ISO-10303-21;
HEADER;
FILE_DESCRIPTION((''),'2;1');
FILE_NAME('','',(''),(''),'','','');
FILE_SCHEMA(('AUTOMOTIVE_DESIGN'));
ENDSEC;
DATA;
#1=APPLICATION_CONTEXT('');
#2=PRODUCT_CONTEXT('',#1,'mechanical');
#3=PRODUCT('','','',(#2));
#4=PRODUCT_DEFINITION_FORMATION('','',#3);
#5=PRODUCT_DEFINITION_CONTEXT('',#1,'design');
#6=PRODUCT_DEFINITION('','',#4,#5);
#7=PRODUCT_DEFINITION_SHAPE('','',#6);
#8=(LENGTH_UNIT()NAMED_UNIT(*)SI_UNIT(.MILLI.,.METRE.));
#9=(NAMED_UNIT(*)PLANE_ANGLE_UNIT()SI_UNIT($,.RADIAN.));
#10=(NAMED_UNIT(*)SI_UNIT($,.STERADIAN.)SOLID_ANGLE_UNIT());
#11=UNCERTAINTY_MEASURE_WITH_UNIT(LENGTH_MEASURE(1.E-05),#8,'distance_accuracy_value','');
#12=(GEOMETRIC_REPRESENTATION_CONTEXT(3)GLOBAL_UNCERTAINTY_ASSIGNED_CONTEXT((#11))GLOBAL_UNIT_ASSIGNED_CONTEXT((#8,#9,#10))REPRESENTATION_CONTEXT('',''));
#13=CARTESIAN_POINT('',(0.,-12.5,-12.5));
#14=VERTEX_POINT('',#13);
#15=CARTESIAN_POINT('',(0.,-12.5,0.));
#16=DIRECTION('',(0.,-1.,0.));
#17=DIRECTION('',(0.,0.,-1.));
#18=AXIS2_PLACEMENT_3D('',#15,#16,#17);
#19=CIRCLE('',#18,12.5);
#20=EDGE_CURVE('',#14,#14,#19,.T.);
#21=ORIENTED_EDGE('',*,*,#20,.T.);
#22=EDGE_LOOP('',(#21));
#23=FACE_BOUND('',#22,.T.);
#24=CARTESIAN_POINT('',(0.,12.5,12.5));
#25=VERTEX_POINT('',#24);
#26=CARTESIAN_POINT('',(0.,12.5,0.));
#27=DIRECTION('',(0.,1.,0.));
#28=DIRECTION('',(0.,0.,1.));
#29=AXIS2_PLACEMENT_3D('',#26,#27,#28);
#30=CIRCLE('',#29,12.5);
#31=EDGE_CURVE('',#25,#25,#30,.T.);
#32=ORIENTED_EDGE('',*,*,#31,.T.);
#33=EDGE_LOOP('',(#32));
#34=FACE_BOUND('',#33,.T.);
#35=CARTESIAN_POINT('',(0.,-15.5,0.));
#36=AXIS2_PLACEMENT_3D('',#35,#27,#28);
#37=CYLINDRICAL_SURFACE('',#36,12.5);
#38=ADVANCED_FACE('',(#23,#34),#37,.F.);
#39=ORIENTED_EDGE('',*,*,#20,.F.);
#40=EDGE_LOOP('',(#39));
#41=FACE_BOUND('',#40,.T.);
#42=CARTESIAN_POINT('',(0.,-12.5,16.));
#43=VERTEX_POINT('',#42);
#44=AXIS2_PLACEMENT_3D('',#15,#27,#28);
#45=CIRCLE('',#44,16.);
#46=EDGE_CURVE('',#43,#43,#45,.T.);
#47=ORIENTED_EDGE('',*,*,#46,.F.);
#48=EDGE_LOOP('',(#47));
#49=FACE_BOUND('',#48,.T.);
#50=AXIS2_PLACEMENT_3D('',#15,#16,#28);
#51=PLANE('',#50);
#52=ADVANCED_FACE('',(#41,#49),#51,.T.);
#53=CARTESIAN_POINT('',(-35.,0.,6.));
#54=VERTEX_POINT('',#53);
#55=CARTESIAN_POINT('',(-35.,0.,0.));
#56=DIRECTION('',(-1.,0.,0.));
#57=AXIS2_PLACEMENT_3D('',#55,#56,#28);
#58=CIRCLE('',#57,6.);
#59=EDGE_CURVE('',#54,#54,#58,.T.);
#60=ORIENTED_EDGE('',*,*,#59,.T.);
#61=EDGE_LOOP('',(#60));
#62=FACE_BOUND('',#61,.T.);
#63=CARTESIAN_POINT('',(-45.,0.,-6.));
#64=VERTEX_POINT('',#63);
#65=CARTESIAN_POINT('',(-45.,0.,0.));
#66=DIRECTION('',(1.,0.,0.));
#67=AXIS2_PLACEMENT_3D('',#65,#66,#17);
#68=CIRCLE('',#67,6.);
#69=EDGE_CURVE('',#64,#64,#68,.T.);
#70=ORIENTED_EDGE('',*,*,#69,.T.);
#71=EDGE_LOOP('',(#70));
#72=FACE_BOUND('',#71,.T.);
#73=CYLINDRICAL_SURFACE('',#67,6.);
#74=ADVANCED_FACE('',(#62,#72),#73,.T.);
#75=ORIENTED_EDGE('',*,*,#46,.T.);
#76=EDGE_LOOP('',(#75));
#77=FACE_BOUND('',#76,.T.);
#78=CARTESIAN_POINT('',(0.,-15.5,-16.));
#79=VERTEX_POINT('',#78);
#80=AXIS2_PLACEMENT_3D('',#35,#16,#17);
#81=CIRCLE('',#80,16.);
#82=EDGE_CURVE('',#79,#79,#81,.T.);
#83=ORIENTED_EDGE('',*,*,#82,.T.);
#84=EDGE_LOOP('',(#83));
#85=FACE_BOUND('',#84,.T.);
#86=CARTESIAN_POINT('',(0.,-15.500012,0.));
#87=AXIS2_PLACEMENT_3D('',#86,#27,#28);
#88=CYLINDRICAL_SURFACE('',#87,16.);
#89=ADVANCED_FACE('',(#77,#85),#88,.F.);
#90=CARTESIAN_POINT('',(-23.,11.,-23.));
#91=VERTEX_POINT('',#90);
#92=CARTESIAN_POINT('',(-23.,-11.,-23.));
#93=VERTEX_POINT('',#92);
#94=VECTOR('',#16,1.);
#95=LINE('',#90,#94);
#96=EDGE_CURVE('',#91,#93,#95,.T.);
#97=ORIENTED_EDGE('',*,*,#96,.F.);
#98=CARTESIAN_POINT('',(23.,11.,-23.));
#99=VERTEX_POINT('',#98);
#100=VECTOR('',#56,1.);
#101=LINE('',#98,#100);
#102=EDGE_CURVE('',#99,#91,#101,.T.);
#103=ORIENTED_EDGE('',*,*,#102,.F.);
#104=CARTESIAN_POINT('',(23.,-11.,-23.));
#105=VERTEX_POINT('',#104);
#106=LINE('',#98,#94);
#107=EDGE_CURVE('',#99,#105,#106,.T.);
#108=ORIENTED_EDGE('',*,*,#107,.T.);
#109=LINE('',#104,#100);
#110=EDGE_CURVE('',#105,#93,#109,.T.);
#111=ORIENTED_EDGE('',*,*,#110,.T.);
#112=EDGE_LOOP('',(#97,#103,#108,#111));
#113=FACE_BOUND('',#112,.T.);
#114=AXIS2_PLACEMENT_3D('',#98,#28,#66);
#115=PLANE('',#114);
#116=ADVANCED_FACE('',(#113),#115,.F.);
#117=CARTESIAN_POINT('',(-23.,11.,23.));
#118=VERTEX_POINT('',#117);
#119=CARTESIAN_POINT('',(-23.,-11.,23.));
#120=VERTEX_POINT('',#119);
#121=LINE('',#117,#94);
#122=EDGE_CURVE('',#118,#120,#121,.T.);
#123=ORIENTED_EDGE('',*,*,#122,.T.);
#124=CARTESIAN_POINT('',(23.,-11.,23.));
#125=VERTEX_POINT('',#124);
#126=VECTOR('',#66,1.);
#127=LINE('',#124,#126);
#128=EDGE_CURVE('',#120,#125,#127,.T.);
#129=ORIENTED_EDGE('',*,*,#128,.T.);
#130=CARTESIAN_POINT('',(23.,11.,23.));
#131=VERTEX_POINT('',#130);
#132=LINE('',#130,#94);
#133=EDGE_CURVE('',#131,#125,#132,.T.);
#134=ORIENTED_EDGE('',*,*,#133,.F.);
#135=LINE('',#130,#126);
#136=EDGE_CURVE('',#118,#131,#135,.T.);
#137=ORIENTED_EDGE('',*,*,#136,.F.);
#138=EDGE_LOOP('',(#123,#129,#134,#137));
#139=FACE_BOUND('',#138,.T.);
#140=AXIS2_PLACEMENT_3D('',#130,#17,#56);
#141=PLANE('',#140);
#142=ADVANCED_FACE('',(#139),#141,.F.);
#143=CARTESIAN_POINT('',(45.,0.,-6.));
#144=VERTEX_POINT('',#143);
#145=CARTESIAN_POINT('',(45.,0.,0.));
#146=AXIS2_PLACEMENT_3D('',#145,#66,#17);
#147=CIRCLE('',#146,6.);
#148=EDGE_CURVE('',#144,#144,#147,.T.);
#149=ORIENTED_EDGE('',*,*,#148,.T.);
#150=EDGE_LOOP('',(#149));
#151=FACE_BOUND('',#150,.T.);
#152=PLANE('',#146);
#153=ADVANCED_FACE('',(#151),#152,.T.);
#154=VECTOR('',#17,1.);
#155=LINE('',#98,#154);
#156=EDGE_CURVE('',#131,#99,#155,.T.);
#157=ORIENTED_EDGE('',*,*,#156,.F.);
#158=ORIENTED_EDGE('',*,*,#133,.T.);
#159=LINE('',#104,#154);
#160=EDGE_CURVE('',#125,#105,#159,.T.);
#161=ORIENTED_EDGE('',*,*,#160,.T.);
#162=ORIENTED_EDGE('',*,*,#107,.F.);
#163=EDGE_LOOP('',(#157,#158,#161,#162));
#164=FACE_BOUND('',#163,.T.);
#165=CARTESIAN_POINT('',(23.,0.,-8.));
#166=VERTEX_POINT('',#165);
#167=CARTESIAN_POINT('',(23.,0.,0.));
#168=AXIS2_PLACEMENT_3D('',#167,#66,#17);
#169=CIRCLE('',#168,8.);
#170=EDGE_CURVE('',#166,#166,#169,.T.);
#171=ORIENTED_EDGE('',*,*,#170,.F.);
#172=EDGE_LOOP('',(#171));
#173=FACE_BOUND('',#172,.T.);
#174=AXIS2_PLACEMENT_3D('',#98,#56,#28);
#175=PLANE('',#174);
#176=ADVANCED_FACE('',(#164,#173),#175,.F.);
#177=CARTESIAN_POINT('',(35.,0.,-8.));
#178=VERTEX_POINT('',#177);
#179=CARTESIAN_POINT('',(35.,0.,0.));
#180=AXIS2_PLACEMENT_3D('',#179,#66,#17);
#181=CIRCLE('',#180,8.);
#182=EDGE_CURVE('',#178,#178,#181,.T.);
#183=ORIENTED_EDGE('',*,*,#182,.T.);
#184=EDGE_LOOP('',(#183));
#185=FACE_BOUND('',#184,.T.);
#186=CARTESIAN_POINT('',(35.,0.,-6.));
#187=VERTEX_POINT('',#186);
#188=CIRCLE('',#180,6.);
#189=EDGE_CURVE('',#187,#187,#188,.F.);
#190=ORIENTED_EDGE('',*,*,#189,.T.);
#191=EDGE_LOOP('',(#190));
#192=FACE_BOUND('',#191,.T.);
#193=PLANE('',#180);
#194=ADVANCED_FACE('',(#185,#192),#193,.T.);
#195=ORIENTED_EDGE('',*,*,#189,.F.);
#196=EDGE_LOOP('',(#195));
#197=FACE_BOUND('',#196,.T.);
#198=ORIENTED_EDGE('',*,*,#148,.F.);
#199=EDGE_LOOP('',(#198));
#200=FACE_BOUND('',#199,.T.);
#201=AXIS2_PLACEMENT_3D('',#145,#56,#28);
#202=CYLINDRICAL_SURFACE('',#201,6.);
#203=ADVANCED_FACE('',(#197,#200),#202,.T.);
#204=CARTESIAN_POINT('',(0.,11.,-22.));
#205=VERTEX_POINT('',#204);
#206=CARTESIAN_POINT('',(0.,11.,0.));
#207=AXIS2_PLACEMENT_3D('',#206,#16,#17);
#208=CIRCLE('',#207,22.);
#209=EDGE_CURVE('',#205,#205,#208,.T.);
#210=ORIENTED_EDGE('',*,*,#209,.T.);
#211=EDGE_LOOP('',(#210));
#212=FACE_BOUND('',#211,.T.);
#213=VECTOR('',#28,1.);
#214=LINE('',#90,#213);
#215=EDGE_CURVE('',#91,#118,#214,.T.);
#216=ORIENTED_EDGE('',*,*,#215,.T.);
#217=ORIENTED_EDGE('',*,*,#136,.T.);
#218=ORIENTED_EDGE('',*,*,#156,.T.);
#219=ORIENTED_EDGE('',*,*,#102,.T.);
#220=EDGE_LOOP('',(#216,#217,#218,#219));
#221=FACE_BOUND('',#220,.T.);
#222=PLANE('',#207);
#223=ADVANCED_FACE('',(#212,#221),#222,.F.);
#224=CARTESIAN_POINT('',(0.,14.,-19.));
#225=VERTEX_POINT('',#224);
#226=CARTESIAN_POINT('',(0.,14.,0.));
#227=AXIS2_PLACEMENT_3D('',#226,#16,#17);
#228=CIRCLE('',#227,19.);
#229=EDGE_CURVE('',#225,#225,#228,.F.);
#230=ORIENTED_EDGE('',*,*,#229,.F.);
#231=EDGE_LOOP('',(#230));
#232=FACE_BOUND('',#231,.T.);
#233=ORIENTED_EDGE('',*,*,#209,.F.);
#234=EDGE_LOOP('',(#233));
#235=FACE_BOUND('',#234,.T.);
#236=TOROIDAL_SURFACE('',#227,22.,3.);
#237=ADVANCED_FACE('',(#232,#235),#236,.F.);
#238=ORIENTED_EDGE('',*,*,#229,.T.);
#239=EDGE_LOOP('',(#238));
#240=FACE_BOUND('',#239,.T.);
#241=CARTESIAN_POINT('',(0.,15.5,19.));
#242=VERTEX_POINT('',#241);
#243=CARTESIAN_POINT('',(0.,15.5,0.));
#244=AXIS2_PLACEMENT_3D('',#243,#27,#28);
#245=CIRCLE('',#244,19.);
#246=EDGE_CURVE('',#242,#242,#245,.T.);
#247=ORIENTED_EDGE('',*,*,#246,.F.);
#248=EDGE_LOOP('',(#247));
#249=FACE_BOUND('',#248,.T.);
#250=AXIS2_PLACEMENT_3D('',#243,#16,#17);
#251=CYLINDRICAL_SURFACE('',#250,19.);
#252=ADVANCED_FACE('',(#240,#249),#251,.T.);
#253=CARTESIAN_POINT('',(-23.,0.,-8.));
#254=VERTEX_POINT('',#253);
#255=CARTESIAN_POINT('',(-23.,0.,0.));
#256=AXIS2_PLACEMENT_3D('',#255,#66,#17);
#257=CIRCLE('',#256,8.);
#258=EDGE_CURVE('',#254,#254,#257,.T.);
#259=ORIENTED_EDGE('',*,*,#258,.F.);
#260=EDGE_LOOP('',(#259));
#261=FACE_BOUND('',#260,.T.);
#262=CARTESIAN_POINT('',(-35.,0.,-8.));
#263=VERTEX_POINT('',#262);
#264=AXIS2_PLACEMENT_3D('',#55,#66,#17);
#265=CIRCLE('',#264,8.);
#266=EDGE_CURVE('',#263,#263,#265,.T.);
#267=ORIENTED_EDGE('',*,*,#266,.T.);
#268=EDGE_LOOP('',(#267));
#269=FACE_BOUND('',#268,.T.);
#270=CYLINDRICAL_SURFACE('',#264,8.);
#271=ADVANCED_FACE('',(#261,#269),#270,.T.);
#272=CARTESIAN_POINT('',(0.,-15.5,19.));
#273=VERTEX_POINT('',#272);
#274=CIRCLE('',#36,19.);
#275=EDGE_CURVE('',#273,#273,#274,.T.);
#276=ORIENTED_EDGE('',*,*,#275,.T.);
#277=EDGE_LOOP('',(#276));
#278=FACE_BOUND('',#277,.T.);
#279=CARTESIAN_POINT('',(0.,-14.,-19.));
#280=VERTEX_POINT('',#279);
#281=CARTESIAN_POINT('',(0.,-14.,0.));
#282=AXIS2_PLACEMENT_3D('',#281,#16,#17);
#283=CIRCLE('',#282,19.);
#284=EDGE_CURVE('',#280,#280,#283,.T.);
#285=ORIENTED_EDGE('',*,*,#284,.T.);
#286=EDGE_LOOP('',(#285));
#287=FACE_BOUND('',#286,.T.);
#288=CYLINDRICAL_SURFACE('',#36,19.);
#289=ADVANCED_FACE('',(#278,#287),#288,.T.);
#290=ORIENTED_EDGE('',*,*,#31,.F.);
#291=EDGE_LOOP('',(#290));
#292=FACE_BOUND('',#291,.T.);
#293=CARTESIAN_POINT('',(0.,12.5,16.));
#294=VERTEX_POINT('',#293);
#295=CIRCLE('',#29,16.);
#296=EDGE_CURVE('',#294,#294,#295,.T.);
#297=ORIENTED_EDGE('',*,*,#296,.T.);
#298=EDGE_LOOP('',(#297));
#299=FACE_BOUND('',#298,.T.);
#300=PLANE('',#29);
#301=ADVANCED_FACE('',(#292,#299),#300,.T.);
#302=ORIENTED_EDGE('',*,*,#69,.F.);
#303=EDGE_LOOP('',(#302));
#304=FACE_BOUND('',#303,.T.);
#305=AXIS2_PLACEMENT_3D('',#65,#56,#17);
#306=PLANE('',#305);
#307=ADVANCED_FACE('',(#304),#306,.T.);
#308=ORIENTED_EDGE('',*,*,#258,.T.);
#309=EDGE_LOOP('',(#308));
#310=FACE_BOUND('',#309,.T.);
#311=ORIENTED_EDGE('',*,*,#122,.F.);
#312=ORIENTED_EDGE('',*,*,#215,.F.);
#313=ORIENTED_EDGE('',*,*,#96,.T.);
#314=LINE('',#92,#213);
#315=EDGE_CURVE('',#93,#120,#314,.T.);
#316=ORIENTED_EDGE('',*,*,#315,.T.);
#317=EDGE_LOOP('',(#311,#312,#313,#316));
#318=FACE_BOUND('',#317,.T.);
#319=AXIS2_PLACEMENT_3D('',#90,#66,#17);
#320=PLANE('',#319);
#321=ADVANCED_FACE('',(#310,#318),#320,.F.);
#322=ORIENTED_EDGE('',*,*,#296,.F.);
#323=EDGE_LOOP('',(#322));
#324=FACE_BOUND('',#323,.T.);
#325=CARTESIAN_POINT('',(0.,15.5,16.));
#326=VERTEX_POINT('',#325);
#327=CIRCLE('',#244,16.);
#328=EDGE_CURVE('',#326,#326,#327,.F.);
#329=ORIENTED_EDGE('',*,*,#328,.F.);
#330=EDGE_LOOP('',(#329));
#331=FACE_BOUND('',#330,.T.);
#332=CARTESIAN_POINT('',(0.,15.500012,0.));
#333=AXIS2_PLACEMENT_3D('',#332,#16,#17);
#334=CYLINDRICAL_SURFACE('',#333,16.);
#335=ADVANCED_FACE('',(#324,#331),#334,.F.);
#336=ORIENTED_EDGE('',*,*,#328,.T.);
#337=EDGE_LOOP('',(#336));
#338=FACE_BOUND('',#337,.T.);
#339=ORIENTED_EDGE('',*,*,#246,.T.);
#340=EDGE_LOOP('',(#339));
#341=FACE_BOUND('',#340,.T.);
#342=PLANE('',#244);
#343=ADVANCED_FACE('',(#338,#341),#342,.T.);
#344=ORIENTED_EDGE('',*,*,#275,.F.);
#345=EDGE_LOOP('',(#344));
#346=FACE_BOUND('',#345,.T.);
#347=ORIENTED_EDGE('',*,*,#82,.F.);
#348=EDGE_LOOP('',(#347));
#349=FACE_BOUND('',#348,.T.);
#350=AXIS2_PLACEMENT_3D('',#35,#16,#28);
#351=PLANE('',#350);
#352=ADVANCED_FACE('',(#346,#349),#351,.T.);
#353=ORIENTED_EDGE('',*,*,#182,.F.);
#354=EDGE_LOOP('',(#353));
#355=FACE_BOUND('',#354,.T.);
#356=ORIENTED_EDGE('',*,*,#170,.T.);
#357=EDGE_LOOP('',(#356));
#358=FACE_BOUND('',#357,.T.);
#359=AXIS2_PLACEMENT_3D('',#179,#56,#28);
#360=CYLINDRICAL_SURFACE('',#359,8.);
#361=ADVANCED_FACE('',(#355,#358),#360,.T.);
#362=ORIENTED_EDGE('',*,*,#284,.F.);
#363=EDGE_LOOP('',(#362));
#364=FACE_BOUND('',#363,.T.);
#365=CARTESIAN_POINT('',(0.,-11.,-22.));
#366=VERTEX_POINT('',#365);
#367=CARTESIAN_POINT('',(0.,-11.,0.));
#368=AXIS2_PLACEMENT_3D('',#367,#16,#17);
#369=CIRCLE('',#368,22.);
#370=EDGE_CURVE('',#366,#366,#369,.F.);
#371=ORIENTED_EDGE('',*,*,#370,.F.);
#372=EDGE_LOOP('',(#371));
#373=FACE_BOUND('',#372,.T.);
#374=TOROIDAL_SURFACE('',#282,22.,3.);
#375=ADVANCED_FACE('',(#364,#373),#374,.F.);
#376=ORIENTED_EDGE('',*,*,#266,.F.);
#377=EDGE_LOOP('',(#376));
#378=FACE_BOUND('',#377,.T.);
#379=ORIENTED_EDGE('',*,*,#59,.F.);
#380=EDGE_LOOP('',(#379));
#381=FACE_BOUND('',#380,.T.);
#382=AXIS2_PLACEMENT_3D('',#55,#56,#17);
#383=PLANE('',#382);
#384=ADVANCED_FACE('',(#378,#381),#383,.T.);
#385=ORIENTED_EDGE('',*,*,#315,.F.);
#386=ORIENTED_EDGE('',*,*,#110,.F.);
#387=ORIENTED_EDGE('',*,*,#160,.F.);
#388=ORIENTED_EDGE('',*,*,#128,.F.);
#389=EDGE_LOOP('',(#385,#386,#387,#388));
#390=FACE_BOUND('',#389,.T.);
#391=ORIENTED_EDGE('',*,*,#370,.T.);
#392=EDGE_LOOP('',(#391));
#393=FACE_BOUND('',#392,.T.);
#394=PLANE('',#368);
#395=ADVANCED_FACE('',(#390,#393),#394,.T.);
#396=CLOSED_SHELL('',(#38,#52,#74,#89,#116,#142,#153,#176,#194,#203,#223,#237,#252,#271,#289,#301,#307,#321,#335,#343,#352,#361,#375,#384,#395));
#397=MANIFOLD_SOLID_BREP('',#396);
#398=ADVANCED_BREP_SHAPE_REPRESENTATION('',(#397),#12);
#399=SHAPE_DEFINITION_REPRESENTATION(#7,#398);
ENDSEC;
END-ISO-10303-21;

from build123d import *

# Parameters (mm, degrees)
SKETCH1_W           = 46
SKETCH1_H           = 46
BOSS_EXTRUDE1_DEPTH = 11
SKETCH3_R           = 19
BOSS_EXTRUDE3_DEPTH = 4.5
CUT_EXTRUDE1_START  = -3
SKETCH4_R           = 16
CUT_EXTRUDE1_DEPTH  = 4
SKETCH5_R           = 12.5
CUT_EXTRUDE2_DEPTH  = 29
SKETCH6_R           = 8
BOSS_EXTRUDE4_DEPTH = 12
SKETCH6_3_R         = 6
BOSS_EXTRUDE5_DEPTH = 22
FILLET1_R           = 3


with BuildPart() as part:
    # Sketch1 → Boss-Extrude1 (new body, symmetric)
    with BuildSketch(Plane(origin=(0, 0, 0), x_dir=(1, 0, 0), z_dir=(0, 1, 0))):
        Rectangle(SKETCH1_W, SKETCH1_H)
    extrude(amount=BOSS_EXTRUDE1_DEPTH, both=True)

    # Sketch3 → Boss-Extrude3 (add)
    with BuildSketch(Plane(origin=(0, 11, 0), x_dir=(1, 0, 0), z_dir=(0, 1, 0))):
        Circle(SKETCH3_R)
    boss_extrude3 = extrude(amount=BOSS_EXTRUDE3_DEPTH)

    # Mirror1: Boss-Extrude3 across plane
    add(boss_extrude3.mirror(Plane.ZX))

    # Sketch4 → Cut-Extrude1 (cut)
    with BuildSketch(Plane(origin=(0, 15.5, 0), x_dir=(1, 0, 0), z_dir=(0, 1, 0)).offset(CUT_EXTRUDE1_START)):
        Circle(SKETCH4_R)
    cut_extrude1 = extrude(amount=CUT_EXTRUDE1_DEPTH, mode=Mode.SUBTRACT)

    # Mirror2: Cut-Extrude1 across plane
    add(cut_extrude1.mirror(Plane.ZX), mode=Mode.SUBTRACT)

    # Sketch5 → Cut-Extrude2 (cut, through all)
    with BuildSketch(Plane(origin=(0, 12.5, 0), x_dir=(1, 0, 0), z_dir=(0, 1, 0))):
        Circle(SKETCH5_R)
    extrude(amount=-CUT_EXTRUDE2_DEPTH, mode=Mode.SUBTRACT)

    # Sketch6 → Boss-Extrude4 (add)
    with BuildSketch(Plane(origin=(23, 0, 0), x_dir=(0, 0, -1), z_dir=(1, 0, 0))):
        Circle(SKETCH6_R)
    boss_extrude4 = extrude(amount=BOSS_EXTRUDE4_DEPTH)

    # Sketch6<3> → Boss-Extrude5 (add)
    with BuildSketch(Plane(origin=(23, 0, 0), x_dir=(0, 0, -1), z_dir=(1, 0, 0))):
        Circle(SKETCH6_3_R)
    boss_extrude5 = extrude(amount=BOSS_EXTRUDE5_DEPTH)

    # Mirror3: Boss-Extrude4, Boss-Extrude5 across plane
    add(boss_extrude4.mirror(Plane(origin=(0, 0, 0), x_dir=(0, 0, 1), z_dir=(1, 0, 0))))
    add(boss_extrude5.mirror(Plane(origin=(0, 0, 0), x_dir=(0, 0, 1), z_dir=(1, 0, 0))))

    # Fillet1
    fillet1_edges = [part.edges().sort_by_distance(p)[0] for p in [
        (-19, 11, 0),
        (-19, -11, 0),
    ]]
    fillet(fillet1_edges, radius=FILLET1_R)


solid = part.part
